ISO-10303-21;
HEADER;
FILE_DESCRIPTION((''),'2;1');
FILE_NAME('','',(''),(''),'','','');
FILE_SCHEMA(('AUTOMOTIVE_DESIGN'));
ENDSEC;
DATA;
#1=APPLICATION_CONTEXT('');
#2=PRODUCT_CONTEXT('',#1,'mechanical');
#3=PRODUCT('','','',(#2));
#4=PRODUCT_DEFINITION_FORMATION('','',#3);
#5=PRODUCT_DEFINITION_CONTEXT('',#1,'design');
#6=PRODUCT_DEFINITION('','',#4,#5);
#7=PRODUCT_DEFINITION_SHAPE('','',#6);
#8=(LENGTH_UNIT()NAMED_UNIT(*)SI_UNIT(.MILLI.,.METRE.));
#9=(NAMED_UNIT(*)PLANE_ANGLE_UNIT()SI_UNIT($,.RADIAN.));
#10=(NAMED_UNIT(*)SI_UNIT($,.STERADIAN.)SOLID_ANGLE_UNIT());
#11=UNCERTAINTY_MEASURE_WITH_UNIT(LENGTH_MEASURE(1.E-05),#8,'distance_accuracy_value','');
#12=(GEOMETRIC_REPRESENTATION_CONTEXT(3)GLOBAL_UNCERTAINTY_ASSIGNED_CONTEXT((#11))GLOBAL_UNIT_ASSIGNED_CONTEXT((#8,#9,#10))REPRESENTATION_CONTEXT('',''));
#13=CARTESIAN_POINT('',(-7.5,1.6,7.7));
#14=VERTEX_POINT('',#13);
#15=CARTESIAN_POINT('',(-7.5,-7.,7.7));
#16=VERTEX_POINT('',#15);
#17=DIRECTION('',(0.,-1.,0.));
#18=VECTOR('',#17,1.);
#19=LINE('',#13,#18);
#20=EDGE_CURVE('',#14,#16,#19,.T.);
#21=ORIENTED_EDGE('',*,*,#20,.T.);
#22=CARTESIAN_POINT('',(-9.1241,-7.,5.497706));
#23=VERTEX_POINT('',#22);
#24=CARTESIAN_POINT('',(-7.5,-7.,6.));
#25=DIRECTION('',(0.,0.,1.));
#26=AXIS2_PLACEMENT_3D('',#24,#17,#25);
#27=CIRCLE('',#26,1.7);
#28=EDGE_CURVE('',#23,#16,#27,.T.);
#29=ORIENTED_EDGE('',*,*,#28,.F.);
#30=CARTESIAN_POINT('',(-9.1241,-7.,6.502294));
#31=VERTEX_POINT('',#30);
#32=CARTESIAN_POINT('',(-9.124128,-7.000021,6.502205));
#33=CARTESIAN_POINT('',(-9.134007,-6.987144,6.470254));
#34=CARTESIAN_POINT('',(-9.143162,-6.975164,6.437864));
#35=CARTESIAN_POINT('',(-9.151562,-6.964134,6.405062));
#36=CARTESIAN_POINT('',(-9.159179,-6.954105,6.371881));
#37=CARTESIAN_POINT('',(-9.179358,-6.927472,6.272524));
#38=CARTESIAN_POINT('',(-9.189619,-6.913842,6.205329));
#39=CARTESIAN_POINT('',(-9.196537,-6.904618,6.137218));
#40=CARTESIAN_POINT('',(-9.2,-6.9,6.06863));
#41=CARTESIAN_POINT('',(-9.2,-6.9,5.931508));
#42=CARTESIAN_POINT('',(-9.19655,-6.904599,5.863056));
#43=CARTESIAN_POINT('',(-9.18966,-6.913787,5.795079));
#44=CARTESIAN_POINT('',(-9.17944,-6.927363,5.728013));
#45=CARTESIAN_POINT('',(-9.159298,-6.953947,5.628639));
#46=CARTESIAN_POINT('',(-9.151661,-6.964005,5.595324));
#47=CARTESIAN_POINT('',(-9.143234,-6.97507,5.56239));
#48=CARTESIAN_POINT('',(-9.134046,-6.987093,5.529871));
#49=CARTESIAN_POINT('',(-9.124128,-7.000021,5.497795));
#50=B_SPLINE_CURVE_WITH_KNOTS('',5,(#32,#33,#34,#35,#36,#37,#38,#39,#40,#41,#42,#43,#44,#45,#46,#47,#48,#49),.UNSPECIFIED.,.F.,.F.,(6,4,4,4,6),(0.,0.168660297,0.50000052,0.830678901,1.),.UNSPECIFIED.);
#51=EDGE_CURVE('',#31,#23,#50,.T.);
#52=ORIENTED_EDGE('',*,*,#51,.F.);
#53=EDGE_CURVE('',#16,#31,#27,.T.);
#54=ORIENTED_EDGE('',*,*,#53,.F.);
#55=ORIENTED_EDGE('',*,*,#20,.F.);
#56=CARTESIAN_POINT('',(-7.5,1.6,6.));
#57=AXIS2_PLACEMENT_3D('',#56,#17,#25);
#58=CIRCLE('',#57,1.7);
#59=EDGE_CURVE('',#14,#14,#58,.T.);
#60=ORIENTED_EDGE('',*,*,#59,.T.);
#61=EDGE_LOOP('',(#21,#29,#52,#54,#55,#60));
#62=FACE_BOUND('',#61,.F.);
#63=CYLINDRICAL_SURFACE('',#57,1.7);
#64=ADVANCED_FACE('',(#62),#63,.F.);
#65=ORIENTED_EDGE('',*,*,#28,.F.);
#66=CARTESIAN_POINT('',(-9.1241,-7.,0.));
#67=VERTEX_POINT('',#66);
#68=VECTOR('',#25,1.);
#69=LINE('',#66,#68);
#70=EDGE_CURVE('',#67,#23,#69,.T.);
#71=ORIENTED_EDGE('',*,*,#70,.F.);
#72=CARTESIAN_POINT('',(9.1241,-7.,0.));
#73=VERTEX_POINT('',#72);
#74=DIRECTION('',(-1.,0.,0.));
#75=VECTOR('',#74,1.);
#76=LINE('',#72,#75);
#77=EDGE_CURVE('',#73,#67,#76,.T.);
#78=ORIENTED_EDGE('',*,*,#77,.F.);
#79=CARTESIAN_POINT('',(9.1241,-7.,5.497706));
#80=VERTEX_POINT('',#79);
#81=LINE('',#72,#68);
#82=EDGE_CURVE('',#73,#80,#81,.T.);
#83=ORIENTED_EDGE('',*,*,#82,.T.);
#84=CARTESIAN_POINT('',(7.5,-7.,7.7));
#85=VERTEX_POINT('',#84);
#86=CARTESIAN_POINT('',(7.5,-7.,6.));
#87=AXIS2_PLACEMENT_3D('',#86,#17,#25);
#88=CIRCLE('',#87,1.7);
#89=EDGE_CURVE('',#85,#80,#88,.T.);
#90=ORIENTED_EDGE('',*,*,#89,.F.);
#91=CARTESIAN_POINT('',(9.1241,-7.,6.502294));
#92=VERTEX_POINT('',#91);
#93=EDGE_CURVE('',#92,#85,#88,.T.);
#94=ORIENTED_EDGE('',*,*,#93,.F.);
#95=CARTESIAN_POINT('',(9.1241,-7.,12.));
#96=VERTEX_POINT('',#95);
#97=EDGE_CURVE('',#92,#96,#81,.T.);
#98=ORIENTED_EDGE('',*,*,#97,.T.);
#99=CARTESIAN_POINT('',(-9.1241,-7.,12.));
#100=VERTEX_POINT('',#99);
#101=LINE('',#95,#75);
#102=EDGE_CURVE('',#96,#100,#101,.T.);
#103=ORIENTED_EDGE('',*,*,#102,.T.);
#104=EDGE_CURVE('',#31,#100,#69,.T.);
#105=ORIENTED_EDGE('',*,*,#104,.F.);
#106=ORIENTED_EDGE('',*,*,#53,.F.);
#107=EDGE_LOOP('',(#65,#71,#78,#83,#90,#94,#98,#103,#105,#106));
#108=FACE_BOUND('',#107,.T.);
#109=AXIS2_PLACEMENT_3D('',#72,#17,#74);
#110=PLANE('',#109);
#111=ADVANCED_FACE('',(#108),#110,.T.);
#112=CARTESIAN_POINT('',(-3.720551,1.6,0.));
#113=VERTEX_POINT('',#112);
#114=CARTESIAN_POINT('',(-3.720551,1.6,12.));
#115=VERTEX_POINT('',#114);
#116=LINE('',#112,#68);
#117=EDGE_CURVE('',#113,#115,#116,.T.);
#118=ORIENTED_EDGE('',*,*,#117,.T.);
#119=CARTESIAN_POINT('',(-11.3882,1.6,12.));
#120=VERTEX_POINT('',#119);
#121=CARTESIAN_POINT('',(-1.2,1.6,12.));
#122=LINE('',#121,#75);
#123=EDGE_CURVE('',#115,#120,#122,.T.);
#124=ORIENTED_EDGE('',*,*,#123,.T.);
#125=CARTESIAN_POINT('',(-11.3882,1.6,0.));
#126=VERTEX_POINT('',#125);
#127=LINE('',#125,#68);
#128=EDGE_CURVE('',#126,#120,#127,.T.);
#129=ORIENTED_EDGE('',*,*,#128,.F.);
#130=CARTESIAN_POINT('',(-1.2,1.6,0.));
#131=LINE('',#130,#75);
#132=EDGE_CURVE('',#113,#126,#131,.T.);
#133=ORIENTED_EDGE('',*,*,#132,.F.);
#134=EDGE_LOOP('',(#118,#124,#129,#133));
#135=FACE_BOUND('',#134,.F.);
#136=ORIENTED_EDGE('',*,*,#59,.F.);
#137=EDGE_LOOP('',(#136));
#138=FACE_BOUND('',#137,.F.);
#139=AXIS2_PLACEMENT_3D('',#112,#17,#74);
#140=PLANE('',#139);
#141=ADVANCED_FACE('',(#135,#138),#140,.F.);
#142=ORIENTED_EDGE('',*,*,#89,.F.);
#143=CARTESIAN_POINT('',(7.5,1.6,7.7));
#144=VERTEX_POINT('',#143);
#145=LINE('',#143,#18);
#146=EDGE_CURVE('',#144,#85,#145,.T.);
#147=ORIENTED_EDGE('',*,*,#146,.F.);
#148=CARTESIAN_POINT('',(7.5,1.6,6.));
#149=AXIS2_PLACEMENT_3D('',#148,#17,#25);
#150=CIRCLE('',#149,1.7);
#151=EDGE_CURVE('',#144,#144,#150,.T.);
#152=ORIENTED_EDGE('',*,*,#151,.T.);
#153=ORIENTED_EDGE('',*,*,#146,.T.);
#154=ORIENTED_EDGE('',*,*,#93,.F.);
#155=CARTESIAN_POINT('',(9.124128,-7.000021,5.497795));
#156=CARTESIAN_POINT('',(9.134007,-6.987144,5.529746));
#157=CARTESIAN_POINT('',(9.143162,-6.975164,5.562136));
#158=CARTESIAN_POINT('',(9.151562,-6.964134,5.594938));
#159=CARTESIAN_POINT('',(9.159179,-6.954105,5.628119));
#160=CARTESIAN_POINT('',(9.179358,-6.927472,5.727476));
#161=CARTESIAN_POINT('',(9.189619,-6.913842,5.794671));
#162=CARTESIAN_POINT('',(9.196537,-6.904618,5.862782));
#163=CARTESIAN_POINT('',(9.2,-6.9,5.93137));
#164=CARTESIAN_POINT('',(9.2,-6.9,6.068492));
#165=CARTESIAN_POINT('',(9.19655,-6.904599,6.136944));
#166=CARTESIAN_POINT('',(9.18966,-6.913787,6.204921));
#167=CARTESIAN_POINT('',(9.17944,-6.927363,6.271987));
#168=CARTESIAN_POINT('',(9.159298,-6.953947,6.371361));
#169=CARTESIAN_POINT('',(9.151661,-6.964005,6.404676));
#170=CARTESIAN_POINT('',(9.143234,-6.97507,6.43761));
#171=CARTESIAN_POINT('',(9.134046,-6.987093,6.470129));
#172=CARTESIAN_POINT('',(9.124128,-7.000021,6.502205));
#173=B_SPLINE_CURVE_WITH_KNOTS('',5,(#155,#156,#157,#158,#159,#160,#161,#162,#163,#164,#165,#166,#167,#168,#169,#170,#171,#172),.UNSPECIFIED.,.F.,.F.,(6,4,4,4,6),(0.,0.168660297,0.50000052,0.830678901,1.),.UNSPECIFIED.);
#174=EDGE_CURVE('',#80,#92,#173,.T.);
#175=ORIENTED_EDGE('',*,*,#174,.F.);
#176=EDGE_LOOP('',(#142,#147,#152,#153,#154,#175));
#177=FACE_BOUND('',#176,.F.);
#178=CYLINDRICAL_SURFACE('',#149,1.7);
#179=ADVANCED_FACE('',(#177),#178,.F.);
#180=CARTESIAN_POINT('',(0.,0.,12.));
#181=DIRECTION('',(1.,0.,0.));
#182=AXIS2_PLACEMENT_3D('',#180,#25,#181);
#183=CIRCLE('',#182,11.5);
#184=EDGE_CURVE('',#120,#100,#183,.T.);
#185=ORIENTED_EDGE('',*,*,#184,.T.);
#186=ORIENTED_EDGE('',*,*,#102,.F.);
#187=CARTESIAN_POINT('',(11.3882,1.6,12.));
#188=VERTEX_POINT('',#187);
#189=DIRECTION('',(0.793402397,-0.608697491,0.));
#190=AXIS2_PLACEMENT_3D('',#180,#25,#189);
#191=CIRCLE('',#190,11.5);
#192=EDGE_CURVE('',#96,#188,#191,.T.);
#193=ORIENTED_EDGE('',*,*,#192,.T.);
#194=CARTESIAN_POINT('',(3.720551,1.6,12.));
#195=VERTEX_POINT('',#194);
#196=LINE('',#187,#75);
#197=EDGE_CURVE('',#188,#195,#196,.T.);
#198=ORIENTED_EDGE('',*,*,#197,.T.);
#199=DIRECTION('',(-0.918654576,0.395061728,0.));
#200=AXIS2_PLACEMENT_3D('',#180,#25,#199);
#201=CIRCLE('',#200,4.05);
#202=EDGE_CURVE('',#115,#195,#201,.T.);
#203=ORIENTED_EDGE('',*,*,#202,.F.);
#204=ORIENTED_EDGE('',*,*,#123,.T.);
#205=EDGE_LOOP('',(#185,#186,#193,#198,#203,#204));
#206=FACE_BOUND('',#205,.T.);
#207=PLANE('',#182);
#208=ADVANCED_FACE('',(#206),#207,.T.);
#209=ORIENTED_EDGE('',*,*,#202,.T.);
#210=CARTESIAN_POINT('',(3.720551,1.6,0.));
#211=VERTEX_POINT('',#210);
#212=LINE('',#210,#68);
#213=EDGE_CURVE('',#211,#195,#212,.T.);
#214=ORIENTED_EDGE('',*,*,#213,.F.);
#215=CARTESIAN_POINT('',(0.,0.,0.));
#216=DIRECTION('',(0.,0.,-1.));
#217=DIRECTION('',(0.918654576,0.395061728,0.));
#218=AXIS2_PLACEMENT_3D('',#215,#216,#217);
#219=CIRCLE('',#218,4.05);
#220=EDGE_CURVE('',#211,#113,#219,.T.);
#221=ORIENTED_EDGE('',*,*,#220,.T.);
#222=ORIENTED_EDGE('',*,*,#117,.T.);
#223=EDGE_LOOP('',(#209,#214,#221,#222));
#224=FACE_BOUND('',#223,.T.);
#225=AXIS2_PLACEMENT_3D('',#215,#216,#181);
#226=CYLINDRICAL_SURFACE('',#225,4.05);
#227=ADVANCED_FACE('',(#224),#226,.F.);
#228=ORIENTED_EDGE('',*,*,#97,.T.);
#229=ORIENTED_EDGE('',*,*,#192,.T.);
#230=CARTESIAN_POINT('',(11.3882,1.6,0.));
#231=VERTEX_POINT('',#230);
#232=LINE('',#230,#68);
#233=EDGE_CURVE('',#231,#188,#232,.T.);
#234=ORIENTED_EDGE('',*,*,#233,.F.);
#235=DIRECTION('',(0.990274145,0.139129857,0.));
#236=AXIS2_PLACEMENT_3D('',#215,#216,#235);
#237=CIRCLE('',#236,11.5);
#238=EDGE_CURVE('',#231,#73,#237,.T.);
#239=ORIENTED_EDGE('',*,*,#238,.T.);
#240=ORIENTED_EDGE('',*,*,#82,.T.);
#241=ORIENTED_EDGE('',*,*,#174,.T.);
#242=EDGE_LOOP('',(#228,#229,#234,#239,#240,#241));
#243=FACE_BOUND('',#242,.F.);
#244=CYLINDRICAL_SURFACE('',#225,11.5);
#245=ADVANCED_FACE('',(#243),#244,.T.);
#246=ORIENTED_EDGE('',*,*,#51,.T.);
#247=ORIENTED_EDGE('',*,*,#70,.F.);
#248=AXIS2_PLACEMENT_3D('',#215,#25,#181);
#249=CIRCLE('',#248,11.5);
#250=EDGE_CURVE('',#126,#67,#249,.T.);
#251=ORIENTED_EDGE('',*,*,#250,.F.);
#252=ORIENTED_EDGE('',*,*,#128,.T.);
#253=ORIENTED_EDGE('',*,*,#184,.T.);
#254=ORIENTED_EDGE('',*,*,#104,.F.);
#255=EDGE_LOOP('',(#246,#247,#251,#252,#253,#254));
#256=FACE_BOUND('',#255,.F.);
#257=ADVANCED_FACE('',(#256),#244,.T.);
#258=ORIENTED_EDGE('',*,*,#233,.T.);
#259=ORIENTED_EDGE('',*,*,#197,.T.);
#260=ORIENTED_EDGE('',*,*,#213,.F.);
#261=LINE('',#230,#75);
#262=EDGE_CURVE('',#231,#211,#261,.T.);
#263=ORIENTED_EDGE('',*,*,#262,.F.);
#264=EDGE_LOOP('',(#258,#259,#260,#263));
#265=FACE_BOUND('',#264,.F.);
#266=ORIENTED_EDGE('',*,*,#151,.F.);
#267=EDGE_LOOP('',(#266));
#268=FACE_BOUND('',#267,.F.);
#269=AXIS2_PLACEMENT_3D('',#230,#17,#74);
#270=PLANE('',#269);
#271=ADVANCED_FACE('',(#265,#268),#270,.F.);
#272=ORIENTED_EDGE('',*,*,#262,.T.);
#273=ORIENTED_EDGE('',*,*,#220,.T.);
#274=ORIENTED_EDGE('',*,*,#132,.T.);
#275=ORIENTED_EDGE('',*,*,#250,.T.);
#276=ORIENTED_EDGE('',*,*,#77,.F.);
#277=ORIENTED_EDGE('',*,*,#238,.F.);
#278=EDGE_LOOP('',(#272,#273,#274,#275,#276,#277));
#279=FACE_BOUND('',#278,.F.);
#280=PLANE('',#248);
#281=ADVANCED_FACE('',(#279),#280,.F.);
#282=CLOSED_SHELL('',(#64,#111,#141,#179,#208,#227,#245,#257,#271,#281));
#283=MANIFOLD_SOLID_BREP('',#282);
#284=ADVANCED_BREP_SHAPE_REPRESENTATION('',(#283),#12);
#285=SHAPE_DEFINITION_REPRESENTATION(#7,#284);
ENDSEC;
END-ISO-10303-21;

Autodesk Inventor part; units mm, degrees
ref_plane "YZ Plane" through (0, 0, 0) normal (1, 0, 0) x (0, 1, 0)
ref_plane "XZ Plane" through (0, 0, 0) normal (0, 1, 0) x (-1, 0, 0)
ref_plane "XY Plane" through (0, 0, 0) normal (0, 0, 1) x (1, 0, 0)
sketch "スケッチ1" plane through (0, 0, 0) normal (0, 0, 1) x (1, 0, 0)
  circle A0 centre (0, 0) radius 4.05
  circle A1 centre (0, 0) radius 11.5
  line L0 (-1.2, 1.6) -> (1.2, 1.6)
  line L1 (11.3882, 1.6) -> (1.2, 1.6)
  line L2 (-1.2, 1.6) -> (-11.3882, 1.6)
  circle A2 centre (0, 0) radius 2
  line L3 (9.1241, -7) -> (-9.1241, -7)
  point P0 (3.7206, 1.6)
  point P1 (-3.7206, 1.6)
  dimension "d0" = 8.1
  dimension "d1" = 23
  dimension "d3" = 4
  dimension "d4" = 2.4
  dimension "d5" = 7
extrude "押し出し1" add sketch "スケッチ1" along normal blind 12 contours A0 L1 A1 L3 L2
sketch "スケッチ3" plane through (-11.3882, 1.6, 0) normal (0, 1, 0) x (1, 0, 0)
  line L0 (22.7763, 0) -> (15.1087, 0) projected
  line L1 (7.6676, 0) -> (0, 0) projected
  point P0 (11.3882, 0)
  point P1 (3.8882, -6)
  point P2 (18.8882, -6)
  dimension "d8" = 6
  dimension "d9" = 7.5
  dimension "d10" = 7.5
  dimension "d11" = 6
hole "穴1" at (-7.5, 1.6, 6) at (7.5, 1.6, 6) direction (0, -1, 0) diameter 3.4 end through all
equation "\"d10\" = d9"
equation "\"d11\" = d8"
properties part number "SU22_3DP_EU_Sub_sn" material "ABS プラスチック"
